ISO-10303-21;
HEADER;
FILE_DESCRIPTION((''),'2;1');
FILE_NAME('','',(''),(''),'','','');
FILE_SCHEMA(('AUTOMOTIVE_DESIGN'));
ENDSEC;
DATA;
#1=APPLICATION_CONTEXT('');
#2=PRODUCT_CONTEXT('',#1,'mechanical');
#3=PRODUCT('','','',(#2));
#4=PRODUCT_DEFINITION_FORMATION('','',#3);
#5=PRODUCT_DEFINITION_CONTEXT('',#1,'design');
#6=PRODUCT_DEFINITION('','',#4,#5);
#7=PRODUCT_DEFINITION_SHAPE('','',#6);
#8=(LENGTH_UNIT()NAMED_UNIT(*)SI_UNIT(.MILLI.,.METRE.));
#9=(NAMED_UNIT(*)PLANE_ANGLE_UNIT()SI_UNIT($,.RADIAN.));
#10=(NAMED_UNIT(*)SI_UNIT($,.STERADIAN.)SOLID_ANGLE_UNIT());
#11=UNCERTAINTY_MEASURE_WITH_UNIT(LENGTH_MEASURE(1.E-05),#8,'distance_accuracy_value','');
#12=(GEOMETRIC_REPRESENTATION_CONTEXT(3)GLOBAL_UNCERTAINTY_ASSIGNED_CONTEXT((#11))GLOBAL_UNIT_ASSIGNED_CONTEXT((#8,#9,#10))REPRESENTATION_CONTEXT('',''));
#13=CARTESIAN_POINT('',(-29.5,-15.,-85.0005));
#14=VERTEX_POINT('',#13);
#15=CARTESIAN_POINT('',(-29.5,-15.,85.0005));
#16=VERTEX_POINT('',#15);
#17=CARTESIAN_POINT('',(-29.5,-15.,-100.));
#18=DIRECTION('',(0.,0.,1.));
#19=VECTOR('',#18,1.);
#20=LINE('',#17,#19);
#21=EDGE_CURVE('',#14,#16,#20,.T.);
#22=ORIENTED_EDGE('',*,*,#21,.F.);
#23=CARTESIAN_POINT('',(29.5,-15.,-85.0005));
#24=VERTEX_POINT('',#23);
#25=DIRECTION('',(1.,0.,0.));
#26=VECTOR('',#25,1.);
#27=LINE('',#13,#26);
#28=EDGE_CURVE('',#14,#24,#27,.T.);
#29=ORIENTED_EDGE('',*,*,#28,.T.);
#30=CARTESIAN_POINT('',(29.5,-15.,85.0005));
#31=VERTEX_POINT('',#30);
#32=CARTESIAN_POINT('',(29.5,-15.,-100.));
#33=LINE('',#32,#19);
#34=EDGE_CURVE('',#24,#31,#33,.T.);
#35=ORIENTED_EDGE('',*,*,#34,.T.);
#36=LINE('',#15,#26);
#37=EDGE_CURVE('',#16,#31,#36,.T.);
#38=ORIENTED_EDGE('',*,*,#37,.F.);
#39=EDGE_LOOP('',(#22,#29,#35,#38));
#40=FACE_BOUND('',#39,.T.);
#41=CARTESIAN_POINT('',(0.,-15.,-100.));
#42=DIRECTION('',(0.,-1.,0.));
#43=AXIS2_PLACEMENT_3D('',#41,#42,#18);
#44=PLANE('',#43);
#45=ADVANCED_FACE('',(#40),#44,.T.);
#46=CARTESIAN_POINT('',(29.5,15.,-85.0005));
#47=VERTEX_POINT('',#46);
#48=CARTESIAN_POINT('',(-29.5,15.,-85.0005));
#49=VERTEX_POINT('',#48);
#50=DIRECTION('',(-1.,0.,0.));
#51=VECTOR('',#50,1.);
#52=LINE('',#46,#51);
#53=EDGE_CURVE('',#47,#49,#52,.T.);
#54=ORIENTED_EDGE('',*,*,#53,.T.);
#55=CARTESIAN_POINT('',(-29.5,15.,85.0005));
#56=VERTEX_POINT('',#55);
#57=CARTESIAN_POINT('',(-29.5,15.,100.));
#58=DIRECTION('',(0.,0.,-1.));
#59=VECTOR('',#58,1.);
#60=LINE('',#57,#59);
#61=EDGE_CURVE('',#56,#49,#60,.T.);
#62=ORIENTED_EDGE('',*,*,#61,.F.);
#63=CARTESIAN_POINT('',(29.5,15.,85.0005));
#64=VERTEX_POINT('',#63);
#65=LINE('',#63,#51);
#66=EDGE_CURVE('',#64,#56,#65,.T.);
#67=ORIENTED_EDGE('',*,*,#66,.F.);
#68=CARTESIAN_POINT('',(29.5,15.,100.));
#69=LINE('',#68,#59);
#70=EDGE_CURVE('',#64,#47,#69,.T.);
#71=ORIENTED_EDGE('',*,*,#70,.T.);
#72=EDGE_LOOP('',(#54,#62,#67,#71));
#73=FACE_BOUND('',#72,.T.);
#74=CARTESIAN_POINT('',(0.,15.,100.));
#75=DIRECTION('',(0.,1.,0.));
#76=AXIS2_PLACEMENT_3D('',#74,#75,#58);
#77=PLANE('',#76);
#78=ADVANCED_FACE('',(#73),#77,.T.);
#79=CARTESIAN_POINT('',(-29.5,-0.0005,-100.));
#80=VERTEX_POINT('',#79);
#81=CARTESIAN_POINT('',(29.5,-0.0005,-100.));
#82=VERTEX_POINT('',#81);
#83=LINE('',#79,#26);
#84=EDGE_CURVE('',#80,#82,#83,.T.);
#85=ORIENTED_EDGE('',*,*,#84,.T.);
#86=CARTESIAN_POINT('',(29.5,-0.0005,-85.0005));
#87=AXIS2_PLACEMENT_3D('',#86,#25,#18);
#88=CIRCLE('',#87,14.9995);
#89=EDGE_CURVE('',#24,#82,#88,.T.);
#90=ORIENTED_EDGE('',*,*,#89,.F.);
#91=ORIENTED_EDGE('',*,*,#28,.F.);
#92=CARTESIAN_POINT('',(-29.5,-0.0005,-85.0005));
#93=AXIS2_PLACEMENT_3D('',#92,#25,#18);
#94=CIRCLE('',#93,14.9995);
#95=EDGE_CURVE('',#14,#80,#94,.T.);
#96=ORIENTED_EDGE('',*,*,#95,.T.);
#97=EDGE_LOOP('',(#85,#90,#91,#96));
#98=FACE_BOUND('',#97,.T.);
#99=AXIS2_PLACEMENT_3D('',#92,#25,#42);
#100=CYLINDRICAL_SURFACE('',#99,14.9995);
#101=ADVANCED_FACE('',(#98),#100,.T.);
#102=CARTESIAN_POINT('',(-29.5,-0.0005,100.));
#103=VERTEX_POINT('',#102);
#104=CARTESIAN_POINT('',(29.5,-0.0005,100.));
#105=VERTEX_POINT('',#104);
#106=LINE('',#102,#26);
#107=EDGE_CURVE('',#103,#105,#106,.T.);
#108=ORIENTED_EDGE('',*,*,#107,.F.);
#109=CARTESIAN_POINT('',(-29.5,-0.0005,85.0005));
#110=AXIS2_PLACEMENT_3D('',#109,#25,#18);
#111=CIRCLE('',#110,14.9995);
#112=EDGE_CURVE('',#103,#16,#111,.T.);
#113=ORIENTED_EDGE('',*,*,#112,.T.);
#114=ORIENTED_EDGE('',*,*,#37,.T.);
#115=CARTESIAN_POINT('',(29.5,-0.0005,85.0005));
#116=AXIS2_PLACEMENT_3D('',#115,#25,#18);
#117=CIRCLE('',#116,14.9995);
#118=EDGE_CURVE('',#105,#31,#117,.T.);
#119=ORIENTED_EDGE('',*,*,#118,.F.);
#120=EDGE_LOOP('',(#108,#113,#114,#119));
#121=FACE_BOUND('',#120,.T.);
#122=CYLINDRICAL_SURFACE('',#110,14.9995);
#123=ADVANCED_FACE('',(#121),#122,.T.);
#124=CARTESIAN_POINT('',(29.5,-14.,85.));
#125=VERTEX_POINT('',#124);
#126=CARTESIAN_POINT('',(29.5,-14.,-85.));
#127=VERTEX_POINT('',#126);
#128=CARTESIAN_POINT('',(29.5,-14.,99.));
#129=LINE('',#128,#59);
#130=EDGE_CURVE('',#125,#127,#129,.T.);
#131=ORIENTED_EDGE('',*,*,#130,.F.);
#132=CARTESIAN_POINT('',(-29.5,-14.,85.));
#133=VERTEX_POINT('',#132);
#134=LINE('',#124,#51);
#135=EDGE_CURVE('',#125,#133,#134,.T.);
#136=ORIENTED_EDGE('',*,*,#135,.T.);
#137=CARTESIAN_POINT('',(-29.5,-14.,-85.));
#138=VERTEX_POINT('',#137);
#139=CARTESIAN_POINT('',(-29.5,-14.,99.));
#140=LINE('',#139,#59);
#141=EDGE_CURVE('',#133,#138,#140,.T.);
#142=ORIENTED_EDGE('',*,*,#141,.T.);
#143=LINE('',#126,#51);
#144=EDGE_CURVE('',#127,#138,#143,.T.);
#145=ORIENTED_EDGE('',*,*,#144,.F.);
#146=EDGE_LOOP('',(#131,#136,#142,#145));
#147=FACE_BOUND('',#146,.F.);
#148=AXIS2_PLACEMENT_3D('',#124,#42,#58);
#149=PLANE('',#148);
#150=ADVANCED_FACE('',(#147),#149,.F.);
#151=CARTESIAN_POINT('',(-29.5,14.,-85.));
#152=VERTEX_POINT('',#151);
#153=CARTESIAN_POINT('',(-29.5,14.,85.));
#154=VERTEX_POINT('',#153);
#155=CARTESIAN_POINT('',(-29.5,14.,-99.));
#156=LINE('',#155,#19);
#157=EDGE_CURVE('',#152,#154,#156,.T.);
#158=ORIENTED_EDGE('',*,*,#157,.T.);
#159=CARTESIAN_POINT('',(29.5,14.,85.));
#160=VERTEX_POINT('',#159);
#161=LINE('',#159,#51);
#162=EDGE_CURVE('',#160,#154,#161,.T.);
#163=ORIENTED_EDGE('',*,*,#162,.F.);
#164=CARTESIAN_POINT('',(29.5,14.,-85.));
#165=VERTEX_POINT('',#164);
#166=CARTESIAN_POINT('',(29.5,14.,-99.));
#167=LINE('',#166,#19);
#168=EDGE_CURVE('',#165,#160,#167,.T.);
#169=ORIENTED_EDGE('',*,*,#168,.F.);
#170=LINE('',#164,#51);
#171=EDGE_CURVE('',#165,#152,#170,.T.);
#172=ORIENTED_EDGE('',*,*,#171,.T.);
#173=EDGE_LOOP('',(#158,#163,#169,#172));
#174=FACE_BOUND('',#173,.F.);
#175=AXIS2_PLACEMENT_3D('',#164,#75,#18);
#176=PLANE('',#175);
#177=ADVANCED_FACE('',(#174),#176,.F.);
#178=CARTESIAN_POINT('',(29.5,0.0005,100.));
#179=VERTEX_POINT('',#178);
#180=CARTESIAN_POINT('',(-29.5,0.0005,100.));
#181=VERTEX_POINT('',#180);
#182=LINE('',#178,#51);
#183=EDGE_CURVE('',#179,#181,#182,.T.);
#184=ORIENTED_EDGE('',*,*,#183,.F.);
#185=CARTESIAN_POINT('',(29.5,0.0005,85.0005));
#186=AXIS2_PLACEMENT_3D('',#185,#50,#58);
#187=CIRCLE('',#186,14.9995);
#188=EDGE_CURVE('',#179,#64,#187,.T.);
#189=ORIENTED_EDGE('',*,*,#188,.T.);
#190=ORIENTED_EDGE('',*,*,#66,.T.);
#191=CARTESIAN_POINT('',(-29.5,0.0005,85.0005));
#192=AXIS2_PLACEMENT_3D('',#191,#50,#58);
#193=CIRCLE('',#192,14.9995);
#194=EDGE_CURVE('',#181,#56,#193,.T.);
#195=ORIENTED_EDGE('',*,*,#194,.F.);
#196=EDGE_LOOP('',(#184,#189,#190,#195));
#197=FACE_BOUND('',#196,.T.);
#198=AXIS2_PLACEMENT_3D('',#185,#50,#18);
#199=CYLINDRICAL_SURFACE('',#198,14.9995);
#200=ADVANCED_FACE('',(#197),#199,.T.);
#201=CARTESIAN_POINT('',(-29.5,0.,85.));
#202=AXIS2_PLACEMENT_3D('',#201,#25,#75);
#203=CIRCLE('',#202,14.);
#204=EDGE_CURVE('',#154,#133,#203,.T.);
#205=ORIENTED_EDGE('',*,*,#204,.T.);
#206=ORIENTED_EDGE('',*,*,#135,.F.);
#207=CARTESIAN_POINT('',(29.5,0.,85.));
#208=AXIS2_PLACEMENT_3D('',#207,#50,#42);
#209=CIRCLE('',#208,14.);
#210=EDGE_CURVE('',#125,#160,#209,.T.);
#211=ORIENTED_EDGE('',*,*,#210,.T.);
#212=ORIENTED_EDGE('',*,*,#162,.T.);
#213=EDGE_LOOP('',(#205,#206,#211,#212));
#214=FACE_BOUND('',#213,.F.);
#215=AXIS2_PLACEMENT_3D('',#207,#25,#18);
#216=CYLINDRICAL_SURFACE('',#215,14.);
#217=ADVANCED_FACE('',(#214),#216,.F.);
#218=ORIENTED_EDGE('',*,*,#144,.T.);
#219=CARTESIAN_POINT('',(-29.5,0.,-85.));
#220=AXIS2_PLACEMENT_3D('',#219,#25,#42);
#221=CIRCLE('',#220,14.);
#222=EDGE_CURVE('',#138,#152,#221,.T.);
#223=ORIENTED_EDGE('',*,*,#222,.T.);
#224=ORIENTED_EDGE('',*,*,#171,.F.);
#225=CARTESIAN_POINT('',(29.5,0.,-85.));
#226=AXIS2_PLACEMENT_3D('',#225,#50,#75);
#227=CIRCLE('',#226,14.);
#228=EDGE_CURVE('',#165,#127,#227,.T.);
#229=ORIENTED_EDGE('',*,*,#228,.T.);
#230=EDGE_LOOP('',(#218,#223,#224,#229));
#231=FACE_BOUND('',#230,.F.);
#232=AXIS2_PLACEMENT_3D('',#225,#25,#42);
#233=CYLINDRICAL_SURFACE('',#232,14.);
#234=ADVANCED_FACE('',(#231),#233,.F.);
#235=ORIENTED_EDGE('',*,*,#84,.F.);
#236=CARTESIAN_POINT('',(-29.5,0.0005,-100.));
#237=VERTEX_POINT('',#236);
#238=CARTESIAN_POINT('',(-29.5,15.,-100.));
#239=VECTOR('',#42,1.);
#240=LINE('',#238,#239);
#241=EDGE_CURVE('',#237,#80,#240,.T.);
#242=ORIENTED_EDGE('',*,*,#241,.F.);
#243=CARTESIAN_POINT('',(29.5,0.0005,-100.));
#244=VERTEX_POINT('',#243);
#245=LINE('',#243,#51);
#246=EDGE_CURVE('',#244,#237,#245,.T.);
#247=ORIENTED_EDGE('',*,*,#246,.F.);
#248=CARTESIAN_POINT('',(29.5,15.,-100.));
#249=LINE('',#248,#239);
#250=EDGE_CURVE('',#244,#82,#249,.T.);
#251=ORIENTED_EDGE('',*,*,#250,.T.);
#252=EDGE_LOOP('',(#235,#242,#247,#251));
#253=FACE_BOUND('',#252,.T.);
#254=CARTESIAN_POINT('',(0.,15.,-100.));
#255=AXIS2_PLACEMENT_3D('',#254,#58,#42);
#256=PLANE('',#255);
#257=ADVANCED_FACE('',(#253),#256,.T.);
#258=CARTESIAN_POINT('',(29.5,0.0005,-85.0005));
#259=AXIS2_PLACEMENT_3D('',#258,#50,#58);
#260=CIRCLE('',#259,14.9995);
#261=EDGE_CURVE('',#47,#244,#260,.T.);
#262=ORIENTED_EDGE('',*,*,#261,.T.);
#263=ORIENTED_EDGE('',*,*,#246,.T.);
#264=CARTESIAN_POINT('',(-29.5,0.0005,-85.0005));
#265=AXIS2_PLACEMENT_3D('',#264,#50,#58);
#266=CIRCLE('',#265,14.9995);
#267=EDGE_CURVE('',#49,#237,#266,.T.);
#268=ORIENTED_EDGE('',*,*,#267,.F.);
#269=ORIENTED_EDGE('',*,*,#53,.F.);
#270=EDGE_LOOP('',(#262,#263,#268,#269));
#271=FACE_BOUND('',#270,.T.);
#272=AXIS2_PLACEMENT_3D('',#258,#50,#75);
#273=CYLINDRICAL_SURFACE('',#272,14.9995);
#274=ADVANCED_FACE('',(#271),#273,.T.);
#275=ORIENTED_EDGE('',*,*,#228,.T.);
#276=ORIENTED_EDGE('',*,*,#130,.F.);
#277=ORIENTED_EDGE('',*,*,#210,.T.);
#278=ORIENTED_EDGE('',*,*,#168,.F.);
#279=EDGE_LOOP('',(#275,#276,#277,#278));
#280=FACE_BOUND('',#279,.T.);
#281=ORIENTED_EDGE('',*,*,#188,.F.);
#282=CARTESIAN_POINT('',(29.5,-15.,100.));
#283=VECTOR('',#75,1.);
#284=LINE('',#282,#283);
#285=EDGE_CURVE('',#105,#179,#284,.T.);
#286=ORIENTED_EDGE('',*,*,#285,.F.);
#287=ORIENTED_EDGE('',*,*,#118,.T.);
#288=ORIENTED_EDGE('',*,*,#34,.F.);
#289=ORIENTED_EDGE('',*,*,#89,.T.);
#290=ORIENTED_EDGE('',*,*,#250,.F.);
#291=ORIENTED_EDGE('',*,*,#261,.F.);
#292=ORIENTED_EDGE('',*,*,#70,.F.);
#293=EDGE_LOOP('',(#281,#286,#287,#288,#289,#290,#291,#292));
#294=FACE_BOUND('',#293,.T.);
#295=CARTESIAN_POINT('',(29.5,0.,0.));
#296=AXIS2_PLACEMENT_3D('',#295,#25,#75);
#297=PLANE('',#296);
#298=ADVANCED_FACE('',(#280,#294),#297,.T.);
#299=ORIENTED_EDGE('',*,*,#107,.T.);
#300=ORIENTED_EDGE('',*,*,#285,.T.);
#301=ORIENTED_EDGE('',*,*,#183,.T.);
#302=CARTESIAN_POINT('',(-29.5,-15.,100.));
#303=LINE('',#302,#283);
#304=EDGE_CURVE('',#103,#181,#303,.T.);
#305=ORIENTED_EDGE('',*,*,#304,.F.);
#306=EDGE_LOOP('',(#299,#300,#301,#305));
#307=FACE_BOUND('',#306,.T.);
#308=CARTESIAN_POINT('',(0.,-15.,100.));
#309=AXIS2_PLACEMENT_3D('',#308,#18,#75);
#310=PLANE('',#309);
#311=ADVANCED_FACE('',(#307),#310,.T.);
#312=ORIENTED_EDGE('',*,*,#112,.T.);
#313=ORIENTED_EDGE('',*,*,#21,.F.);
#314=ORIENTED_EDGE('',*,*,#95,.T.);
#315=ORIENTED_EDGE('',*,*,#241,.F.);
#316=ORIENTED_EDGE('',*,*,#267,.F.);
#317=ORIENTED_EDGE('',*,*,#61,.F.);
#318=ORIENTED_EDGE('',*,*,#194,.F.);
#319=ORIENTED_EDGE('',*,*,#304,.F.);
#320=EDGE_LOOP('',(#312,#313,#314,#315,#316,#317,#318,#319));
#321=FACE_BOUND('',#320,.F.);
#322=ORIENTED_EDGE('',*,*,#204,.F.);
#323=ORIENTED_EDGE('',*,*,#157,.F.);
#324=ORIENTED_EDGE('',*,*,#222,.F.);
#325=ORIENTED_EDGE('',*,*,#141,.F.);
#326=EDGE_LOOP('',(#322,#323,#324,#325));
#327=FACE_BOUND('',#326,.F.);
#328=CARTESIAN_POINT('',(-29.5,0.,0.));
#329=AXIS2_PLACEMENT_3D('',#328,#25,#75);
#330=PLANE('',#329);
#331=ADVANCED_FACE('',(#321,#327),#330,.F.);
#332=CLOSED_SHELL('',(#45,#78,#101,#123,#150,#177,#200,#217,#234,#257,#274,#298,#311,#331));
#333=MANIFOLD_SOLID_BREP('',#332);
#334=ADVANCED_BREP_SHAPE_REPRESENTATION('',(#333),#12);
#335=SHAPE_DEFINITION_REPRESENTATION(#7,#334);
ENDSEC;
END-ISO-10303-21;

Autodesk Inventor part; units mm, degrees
ref_plane "YZ Plane" through (0, 0, 0) normal (1, 0, 0) x (0, 1, 0)
ref_plane "XZ Plane" through (0, 0, 0) normal (0, 1, 0) x (-1, 0, 0)
ref_plane "XY Plane" through (0, 0, 0) normal (0, 0, 1) x (1, 0, 0)
sketch "Эскиз1" plane through (0, 0, 0) normal (1, 0, 0) x (0, 1, 0)
  line L0 (-15, 100) -> (15, 100)
  line L1 (15, 100) -> (15, -100)
  line L2 (15, -100) -> (-15, -100)
  line L3 (-15, -100) -> (-15, 100)
  line L4 (-21, 0) -> (21, 0) construction
  line L5 (0, -140) -> (0, 140) construction
  point P0 (0, 0)
  dimension "d0" = 200
  dimension "d1" = 30
extrude "Выдавливание2" add sketch "Эскиз1" along normal mid plane 59
fillet "Сопряжение1" radius 15 4 edges at (0, 15, 100) (0, -15, 100) (0, 15, -100) (0, -15, -100)
sketch "Эскиз2" plane through (29.5, 0, 0) normal (1, 0, 0) x (0, 0, -1)
  arc A0 (85, -15) -> (85, 15) centre (85, 0) ccw construction
  line L0 (85, 15) -> (-85, 15) construction
  arc A1 (-85, 15) -> (-85, -15) centre (-85, 0) ccw construction
  line L1 (-85, -15) -> (85, -15) construction
  line L2 (-99, -14) -> (99, -14)
  line L3 (99, -14) -> (99, 14)
  line L4 (99, 14) -> (-99, 14)
  line L5 (-99, 14) -> (-99, -14)
  arc A2 (-85, 14) -> (-99, 0) centre (-85, 0) ccw
  arc A3 (-85, 15) -> (-85, -15) centre (-85, 0) ccw projected
  arc A4 (-99, 0) -> (-85, -14) centre (-85, 0) ccw
  arc A5 (99, 0) -> (85, 14) centre (85, 0) ccw
  arc A6 (85, -15) -> (85, 15) centre (85, 0) ccw projected
  arc A7 (85, -14) -> (99, 0) centre (85, 0) ccw
  point P0 (0, 0)
  dimension "d11" = 198
  dimension "d12" = 28
  dimension "d13" = 1
  dimension "d14" = 1
extrude "Выдавливание3" cut sketch "Эскиз2" against normal blind 59 contours A4 A2 L4 A5 A7 L2
properties part number "Лента конвейера"
